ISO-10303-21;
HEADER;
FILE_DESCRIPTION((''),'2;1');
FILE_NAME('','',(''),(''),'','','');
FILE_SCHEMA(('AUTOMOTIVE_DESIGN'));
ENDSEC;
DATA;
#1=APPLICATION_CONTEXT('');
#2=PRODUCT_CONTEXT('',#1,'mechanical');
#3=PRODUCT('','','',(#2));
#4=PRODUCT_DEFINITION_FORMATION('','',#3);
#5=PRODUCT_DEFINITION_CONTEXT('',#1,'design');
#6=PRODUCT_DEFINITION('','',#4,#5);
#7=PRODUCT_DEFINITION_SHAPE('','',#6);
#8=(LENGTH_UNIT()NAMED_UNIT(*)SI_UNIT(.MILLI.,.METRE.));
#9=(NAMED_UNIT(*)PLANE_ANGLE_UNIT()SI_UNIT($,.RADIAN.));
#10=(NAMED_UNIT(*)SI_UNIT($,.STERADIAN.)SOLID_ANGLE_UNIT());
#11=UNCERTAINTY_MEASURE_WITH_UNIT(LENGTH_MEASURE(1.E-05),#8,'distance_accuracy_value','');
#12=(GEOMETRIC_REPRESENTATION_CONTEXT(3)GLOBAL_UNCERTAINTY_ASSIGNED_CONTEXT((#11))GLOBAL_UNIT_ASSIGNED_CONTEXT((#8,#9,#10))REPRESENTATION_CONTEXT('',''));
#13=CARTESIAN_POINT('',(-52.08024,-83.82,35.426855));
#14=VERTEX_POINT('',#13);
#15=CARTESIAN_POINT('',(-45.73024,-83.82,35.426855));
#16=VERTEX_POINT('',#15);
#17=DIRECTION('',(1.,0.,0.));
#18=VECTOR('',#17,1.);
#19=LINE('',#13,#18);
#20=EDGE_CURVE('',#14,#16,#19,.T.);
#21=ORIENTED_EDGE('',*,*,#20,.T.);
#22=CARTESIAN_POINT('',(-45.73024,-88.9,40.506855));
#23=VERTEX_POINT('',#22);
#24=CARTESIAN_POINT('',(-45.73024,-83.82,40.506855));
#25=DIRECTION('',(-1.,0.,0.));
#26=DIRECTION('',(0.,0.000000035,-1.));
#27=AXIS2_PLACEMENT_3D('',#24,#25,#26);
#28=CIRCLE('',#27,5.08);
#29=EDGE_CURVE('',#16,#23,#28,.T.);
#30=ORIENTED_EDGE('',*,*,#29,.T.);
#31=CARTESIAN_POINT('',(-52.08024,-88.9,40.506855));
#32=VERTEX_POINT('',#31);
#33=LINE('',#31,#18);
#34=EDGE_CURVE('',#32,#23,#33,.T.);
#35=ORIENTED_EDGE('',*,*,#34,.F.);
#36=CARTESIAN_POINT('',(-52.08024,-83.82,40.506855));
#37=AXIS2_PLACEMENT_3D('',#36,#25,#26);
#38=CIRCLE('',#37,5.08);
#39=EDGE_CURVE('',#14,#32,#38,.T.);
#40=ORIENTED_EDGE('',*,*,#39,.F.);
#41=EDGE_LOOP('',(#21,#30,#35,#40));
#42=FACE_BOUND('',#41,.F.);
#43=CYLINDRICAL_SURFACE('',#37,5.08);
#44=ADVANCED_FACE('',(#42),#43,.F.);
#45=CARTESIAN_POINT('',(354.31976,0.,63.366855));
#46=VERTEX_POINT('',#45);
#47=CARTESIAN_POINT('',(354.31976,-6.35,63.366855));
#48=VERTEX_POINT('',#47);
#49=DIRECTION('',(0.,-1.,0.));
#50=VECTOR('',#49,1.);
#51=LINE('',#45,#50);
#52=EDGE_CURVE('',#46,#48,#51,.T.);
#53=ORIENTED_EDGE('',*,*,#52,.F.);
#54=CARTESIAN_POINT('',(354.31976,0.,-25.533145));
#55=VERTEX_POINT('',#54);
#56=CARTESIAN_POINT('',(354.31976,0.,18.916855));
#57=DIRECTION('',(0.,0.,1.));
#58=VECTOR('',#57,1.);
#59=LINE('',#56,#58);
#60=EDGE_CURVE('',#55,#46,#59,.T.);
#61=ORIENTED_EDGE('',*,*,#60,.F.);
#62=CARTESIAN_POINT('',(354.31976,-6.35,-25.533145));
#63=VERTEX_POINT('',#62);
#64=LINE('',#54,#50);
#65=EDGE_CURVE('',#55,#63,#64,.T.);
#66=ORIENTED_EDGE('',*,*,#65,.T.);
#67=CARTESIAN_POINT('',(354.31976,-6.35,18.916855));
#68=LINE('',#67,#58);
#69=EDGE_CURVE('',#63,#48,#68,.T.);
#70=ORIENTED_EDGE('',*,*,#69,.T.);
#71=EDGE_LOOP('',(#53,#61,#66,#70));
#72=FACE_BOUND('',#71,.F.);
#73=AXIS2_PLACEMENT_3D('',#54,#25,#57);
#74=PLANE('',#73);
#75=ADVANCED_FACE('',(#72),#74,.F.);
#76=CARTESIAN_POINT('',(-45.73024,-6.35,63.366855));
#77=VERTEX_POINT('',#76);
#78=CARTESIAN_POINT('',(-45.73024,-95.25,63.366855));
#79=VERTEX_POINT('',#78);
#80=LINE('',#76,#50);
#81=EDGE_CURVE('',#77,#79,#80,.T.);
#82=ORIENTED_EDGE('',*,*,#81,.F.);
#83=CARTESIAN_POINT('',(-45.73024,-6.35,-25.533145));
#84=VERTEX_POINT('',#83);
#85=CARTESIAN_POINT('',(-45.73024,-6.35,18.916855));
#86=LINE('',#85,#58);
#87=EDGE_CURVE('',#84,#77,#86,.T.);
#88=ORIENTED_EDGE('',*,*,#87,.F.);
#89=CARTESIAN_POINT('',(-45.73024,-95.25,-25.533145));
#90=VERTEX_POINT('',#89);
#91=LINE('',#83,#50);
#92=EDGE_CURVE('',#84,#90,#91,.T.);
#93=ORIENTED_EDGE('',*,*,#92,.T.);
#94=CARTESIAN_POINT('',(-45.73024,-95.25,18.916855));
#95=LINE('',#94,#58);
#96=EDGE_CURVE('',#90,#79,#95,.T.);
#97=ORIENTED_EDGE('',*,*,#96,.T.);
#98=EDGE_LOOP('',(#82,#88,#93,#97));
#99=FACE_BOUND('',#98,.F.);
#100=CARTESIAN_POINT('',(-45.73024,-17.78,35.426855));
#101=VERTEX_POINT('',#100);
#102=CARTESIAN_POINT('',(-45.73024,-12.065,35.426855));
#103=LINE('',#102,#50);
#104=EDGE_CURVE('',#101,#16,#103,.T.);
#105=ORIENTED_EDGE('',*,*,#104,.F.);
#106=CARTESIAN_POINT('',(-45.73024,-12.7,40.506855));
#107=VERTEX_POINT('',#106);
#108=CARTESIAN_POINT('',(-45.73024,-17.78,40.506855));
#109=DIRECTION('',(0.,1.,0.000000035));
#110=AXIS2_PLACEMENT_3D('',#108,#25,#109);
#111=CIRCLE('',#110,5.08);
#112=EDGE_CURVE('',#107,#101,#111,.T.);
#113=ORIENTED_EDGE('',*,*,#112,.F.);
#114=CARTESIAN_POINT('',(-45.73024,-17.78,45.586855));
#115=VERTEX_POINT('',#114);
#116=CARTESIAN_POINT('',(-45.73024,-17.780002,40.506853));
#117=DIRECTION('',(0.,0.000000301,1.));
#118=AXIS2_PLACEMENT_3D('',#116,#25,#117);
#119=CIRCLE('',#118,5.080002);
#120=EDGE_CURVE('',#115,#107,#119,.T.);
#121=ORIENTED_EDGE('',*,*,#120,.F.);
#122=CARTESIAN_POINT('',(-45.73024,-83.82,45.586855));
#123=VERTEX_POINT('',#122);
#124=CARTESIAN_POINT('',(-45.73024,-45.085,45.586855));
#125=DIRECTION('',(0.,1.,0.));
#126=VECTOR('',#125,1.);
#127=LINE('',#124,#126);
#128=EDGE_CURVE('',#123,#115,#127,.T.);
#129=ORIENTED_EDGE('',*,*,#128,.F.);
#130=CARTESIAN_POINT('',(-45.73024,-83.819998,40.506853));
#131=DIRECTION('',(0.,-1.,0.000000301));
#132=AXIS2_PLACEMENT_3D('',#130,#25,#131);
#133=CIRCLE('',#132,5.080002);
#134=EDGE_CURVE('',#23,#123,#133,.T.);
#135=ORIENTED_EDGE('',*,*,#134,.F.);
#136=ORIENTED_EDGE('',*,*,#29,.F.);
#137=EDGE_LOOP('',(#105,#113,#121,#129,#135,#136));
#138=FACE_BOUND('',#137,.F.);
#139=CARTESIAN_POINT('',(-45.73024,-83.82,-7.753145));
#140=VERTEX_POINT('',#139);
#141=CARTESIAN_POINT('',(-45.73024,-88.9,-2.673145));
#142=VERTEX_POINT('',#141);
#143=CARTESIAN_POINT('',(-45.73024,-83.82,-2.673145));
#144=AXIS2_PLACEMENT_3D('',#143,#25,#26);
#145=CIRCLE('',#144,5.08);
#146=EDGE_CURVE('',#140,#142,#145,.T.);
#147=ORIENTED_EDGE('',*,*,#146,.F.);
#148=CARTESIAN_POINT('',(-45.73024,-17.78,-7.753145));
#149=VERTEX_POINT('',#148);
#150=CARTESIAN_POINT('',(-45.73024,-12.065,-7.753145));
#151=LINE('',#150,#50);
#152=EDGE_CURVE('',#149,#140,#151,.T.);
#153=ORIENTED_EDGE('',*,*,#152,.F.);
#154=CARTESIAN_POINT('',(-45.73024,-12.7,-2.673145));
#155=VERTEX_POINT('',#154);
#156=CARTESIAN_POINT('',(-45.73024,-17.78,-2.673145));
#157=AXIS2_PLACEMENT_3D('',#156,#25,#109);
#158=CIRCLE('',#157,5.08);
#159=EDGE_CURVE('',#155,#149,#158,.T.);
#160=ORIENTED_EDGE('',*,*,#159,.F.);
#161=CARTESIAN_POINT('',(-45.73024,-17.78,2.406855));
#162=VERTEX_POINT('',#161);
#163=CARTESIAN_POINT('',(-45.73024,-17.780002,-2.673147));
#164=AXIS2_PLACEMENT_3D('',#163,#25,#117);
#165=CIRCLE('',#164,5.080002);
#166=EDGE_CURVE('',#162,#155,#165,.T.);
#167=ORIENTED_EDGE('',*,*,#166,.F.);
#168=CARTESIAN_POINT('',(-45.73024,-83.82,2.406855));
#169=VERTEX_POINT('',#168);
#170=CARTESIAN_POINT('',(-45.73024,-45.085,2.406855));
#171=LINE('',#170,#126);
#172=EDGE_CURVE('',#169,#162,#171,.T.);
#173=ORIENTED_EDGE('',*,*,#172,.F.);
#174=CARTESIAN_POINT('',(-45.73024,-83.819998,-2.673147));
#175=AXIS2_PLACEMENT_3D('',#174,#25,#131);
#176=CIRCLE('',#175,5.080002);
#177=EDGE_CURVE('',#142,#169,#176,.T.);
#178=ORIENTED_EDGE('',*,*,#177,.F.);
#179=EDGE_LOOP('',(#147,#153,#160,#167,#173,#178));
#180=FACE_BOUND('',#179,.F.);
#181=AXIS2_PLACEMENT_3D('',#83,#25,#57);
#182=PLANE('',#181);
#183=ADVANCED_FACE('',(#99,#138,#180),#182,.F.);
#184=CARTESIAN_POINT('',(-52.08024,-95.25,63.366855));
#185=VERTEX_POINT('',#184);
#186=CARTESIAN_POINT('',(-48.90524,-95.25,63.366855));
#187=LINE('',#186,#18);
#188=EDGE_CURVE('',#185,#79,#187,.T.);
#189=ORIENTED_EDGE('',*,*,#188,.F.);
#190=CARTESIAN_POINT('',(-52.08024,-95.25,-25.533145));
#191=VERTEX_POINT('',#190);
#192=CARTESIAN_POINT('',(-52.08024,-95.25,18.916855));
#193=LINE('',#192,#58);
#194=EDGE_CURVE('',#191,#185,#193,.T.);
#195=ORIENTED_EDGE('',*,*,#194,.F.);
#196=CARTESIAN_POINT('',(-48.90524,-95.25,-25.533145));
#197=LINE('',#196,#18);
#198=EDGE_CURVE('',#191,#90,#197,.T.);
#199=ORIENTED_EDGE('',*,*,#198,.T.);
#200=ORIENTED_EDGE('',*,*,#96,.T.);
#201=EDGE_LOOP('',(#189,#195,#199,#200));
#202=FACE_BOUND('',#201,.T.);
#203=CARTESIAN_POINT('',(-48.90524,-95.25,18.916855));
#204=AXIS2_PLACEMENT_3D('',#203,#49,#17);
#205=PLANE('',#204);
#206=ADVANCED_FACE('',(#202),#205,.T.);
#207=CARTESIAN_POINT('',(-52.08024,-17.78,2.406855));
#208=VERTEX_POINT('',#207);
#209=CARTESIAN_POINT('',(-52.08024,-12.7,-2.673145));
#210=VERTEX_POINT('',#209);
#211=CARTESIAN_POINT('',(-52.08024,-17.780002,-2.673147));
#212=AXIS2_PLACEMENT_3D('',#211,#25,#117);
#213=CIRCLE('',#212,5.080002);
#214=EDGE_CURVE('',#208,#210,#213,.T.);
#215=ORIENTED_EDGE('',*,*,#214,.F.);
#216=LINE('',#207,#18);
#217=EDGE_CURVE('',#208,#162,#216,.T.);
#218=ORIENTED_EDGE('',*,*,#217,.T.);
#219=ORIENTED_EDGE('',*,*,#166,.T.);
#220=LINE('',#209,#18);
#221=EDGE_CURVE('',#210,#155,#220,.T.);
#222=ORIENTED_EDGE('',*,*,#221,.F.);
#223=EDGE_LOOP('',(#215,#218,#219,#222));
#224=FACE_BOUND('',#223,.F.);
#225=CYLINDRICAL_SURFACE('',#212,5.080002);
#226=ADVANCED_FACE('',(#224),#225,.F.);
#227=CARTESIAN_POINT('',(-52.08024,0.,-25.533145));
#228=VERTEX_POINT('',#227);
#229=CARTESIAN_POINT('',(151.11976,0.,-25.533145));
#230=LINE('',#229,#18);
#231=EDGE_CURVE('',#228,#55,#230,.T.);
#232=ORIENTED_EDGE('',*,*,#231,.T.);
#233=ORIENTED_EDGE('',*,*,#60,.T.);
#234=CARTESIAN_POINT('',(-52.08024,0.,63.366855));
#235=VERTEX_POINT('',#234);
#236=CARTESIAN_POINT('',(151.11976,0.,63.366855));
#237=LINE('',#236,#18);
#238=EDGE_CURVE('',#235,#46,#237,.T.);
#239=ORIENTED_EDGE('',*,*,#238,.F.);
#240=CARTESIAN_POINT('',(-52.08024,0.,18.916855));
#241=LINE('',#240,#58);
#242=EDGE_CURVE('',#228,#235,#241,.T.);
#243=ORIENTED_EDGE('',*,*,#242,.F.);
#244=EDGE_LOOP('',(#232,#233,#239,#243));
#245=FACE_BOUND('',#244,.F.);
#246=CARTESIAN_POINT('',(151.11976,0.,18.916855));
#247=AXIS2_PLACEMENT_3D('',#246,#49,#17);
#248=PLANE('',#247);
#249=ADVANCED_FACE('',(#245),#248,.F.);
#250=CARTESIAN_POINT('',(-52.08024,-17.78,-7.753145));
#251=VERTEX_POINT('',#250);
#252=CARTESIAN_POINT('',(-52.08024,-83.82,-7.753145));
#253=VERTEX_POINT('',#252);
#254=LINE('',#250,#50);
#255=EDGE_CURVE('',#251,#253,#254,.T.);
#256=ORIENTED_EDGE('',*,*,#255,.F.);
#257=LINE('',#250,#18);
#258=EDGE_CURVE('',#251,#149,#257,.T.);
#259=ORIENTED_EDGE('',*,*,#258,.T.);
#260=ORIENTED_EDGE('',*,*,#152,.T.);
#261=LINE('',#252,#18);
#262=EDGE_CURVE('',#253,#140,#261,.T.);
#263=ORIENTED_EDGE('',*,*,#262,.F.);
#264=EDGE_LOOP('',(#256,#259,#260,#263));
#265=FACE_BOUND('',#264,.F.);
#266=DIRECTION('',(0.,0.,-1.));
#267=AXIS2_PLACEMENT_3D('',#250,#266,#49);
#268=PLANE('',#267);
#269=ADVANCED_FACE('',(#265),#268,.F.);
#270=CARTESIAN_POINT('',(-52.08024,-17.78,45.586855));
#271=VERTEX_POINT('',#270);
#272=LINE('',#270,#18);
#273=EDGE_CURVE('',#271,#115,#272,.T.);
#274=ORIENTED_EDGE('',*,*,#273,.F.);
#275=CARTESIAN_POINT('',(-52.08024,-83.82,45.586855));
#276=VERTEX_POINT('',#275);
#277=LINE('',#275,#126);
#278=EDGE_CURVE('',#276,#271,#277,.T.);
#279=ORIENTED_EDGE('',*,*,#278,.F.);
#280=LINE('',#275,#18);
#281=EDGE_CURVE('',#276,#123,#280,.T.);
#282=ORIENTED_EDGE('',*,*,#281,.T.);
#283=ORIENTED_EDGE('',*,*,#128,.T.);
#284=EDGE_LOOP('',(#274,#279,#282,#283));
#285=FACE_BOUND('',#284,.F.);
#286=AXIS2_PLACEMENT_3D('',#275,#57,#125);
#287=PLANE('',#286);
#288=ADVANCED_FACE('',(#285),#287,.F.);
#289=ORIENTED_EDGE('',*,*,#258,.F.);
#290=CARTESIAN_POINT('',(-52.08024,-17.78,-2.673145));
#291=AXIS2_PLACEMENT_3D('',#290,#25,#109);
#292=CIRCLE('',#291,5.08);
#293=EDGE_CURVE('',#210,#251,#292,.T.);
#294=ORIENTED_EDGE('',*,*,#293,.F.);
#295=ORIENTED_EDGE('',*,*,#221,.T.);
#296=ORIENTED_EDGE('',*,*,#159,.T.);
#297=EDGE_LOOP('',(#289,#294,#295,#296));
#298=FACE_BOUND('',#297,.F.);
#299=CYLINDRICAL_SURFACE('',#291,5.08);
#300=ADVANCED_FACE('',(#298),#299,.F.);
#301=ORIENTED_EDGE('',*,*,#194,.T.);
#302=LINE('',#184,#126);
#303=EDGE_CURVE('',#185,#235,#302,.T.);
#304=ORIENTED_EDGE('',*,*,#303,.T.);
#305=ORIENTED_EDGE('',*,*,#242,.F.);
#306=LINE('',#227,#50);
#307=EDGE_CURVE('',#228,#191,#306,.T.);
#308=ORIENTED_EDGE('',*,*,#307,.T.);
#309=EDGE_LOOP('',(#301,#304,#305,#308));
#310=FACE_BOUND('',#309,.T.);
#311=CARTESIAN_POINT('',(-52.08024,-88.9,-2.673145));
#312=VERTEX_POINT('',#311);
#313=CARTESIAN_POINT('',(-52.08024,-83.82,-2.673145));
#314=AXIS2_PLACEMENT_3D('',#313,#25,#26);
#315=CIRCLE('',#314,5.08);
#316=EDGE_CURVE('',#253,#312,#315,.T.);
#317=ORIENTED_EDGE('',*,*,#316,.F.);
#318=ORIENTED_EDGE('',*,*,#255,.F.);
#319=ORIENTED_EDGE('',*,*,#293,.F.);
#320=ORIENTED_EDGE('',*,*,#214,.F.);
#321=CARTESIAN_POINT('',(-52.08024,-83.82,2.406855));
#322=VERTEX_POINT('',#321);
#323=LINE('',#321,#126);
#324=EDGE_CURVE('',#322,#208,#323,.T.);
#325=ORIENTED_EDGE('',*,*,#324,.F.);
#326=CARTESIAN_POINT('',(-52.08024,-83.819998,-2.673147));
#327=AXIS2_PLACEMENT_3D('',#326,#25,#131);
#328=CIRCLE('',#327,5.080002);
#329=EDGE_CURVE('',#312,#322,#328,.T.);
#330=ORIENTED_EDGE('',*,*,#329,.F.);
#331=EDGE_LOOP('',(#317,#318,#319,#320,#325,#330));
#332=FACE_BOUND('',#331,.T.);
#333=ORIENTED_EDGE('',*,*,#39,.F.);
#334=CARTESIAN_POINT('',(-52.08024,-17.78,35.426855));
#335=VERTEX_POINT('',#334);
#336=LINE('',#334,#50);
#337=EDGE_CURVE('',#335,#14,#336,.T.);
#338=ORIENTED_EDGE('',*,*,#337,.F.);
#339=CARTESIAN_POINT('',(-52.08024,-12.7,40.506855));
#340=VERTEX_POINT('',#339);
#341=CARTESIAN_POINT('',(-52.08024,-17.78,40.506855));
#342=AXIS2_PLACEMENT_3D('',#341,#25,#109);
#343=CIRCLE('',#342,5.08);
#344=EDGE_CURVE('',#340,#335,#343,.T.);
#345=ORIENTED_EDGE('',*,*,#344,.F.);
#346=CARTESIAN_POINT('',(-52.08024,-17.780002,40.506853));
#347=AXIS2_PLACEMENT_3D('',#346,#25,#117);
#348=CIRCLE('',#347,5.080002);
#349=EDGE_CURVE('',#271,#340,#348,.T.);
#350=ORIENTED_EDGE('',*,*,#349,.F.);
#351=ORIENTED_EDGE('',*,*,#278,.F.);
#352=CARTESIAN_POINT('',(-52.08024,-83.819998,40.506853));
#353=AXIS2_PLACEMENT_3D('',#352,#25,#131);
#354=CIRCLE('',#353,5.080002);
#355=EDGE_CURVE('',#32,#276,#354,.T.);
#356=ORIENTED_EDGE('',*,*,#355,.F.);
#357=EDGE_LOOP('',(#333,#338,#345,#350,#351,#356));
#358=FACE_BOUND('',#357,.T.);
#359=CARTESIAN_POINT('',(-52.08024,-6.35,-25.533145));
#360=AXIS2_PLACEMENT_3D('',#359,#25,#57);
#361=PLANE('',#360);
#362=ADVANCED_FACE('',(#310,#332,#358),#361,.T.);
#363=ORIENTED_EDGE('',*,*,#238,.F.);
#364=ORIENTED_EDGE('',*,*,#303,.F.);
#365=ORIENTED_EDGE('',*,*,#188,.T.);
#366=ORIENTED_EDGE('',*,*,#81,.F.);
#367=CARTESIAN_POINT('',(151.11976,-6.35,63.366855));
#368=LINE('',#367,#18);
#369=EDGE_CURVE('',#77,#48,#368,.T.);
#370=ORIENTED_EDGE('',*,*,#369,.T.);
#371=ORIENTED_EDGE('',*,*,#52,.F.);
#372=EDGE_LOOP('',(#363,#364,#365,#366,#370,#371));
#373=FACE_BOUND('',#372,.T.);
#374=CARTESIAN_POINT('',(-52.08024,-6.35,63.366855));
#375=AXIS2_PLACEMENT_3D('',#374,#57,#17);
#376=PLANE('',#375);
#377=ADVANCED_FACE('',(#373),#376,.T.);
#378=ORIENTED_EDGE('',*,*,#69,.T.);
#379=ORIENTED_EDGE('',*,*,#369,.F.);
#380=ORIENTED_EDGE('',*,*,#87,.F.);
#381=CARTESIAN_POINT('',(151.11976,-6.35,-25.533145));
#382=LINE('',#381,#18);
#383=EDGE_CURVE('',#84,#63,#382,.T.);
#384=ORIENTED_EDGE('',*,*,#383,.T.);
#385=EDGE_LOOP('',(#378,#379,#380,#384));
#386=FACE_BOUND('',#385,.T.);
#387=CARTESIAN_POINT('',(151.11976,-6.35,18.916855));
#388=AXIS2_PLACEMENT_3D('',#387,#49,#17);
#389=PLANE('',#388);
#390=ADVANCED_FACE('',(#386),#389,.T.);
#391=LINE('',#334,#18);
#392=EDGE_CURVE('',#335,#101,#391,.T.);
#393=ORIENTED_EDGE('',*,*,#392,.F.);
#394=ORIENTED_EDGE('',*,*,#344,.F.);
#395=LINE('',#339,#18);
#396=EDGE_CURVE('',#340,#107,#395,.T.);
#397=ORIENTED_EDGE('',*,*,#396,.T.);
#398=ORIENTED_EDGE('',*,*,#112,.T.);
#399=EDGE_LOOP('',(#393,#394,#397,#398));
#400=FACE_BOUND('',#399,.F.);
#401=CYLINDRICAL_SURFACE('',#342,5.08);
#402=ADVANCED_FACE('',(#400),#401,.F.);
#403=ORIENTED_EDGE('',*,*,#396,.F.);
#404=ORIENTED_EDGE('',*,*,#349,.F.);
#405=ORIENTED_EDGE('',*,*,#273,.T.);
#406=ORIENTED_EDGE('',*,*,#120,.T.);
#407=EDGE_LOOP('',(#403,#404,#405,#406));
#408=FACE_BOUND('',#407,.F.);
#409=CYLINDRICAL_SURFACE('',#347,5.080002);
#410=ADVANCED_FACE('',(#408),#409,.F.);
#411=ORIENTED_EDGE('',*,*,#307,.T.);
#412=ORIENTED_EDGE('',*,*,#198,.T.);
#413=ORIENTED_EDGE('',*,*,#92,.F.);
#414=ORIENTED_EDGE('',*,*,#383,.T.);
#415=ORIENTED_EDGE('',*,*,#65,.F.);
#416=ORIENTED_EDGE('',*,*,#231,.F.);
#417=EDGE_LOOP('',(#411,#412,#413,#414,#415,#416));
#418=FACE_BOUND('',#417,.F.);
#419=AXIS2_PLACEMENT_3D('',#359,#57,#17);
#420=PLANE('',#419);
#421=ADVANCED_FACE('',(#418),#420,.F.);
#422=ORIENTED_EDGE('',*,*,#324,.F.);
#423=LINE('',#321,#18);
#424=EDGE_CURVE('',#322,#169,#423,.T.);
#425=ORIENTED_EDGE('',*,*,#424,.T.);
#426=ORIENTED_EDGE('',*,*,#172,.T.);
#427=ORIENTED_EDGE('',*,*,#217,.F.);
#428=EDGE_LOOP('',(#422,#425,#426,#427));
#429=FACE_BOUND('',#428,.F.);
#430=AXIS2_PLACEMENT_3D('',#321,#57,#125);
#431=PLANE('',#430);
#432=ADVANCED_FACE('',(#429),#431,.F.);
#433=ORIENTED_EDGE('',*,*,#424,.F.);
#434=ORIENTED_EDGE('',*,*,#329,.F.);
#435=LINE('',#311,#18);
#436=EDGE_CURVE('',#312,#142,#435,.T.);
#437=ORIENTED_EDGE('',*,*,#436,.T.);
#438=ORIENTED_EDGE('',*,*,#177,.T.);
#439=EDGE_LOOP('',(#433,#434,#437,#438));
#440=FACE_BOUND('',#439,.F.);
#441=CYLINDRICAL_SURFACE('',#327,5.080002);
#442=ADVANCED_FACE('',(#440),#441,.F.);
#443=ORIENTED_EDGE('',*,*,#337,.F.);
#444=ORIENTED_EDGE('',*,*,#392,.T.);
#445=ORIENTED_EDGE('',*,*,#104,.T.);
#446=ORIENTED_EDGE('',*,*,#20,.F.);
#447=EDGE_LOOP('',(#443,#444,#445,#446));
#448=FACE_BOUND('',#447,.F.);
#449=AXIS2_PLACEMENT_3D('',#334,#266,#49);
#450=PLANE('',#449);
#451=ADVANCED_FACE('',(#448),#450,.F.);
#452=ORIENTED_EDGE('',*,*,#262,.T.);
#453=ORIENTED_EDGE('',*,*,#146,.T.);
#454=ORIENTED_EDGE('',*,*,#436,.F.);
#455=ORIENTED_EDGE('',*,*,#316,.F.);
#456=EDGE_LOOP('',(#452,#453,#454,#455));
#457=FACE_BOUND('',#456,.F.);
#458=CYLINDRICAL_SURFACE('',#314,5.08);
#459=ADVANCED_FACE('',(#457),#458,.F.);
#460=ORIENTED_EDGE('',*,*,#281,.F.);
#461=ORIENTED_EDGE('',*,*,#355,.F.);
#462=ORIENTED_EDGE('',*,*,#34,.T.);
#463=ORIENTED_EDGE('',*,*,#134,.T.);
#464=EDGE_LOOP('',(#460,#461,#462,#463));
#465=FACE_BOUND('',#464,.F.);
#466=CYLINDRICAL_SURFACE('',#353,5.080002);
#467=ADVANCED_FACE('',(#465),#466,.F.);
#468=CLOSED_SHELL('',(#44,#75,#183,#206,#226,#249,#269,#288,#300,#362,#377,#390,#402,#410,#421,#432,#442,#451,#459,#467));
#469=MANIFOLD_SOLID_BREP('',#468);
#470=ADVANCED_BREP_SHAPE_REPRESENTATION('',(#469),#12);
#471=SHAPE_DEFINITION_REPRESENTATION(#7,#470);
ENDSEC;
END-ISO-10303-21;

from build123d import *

# Parameters (mm, degrees)
F0_W     = 406.4
F0_H     = 88.9
F1_DEPTH = 6.35
F2_W     = 6.35
F2_H     = 88.9
F3_DEPTH = 88.9
F5_DEPTH = 25.4


with BuildPart() as f1:
    # F0 (on Front) → F1 (new body)
    with BuildSketch(Plane.XZ):
        with Locations((151.11976, 18.916855)):
            Rectangle(F0_W, F0_H)
    extrude(amount=F1_DEPTH)

    # F2 (on face) → F3 (join)
    with BuildSketch(Plane.XZ.offset(6.35)):
        with Locations((-48.90524, 18.916855)):
            Rectangle(F2_W, F2_H)
    extrude(amount=F3_DEPTH)

    # F4 (on face) → F5 (cut)
    with BuildSketch(Plane(origin=(-52.08024, 0, 0), x_dir=(0, -1, 0), z_dir=(-1, 0, 0))):
        with BuildLine():
            Line((17.78, 35.426855), (17.78, 45.586855))
            ThreePointArc((17.78, 45.586855), (14.187898, 44.098957), (12.7, 40.506855))
            ThreePointArc((12.7, 40.506855), (14.187898, 36.914752), (17.78, 35.426855))
        make_face()
        with BuildLine():
            ThreePointArc((22.86, 40.506855), (21.372102, 44.098957), (17.78, 45.586855))
            Line((17.78, 45.586855), (17.78, 35.426855))
            ThreePointArc((17.78, 35.426855), (21.372102, 36.914752), (22.86, 40.506855))
        make_face()
        with BuildLine():
            ThreePointArc((12.7, -2.673145), (14.187898, -6.265248), (17.78, -7.753145))
            Line((17.78, -7.753145), (17.78, 2.406855))
            ThreePointArc((17.78, 2.406855), (14.187898, 0.918957), (12.7, -2.673145))
        make_face()
        with BuildLine():
            Line((17.78, 2.406855), (17.78, -7.753145))
            ThreePointArc((17.78, -7.753145), (21.372102, -6.265248), (22.86, -2.673145))
            ThreePointArc((22.86, -2.673145), (21.372102, 0.918957), (17.78, 2.406855))
        make_face()
        with BuildLine():
            ThreePointArc((83.82, 35.426855), (78.74, 40.506855), (83.82, 45.586855))
            Line((83.82, 45.586855), (17.78, 45.586855))
            ThreePointArc((17.78, 45.586855), (21.372102, 44.098957), (22.86, 40.506855))
            ThreePointArc((22.86, 40.506855), (21.372102, 36.914752), (17.78, 35.426855))
            Line((17.78, 35.426855), (83.82, 35.426855))
        make_face()
        with BuildLine():
            Line((83.82, 35.426855), (83.82, 45.586855))
            ThreePointArc((83.82, 45.586855), (78.74, 40.506855), (83.82, 35.426855))
        make_face()
        with BuildLine():
            ThreePointArc((83.82, 35.426855), (87.412102, 36.914752), (88.9, 40.506855))
            ThreePointArc((88.9, 40.506855), (87.412102, 44.098957), (83.82, 45.586855))
            Line((83.82, 45.586855), (83.82, 35.426855))
        make_face()
        with BuildLine():
            Line((17.78, -7.753145), (83.82, -7.753145))
            ThreePointArc((83.82, -7.753145), (78.74, -2.673145), (83.82, 2.406855))
            Line((83.82, 2.406855), (17.78, 2.406855))
            ThreePointArc((17.78, 2.406855), (21.372102, 0.918957), (22.86, -2.673145))
            ThreePointArc((22.86, -2.673145), (21.372102, -6.265248), (17.78, -7.753145))
        make_face()
        with BuildLine():
            ThreePointArc((83.82, 2.406855), (78.74, -2.673145), (83.82, -7.753145))
            Line((83.82, -7.753145), (83.82, 2.406855))
        make_face()
        with BuildLine():
            ThreePointArc((83.82, -7.753145), (87.412102, -6.265248), (88.9, -2.673145))
            ThreePointArc((88.9, -2.673145), (87.412102, 0.918957), (83.82, 2.406855))
            Line((83.82, 2.406855), (83.82, -7.753145))
        make_face()
    extrude(amount=-F5_DEPTH, mode=Mode.SUBTRACT)


solid = f1.part
